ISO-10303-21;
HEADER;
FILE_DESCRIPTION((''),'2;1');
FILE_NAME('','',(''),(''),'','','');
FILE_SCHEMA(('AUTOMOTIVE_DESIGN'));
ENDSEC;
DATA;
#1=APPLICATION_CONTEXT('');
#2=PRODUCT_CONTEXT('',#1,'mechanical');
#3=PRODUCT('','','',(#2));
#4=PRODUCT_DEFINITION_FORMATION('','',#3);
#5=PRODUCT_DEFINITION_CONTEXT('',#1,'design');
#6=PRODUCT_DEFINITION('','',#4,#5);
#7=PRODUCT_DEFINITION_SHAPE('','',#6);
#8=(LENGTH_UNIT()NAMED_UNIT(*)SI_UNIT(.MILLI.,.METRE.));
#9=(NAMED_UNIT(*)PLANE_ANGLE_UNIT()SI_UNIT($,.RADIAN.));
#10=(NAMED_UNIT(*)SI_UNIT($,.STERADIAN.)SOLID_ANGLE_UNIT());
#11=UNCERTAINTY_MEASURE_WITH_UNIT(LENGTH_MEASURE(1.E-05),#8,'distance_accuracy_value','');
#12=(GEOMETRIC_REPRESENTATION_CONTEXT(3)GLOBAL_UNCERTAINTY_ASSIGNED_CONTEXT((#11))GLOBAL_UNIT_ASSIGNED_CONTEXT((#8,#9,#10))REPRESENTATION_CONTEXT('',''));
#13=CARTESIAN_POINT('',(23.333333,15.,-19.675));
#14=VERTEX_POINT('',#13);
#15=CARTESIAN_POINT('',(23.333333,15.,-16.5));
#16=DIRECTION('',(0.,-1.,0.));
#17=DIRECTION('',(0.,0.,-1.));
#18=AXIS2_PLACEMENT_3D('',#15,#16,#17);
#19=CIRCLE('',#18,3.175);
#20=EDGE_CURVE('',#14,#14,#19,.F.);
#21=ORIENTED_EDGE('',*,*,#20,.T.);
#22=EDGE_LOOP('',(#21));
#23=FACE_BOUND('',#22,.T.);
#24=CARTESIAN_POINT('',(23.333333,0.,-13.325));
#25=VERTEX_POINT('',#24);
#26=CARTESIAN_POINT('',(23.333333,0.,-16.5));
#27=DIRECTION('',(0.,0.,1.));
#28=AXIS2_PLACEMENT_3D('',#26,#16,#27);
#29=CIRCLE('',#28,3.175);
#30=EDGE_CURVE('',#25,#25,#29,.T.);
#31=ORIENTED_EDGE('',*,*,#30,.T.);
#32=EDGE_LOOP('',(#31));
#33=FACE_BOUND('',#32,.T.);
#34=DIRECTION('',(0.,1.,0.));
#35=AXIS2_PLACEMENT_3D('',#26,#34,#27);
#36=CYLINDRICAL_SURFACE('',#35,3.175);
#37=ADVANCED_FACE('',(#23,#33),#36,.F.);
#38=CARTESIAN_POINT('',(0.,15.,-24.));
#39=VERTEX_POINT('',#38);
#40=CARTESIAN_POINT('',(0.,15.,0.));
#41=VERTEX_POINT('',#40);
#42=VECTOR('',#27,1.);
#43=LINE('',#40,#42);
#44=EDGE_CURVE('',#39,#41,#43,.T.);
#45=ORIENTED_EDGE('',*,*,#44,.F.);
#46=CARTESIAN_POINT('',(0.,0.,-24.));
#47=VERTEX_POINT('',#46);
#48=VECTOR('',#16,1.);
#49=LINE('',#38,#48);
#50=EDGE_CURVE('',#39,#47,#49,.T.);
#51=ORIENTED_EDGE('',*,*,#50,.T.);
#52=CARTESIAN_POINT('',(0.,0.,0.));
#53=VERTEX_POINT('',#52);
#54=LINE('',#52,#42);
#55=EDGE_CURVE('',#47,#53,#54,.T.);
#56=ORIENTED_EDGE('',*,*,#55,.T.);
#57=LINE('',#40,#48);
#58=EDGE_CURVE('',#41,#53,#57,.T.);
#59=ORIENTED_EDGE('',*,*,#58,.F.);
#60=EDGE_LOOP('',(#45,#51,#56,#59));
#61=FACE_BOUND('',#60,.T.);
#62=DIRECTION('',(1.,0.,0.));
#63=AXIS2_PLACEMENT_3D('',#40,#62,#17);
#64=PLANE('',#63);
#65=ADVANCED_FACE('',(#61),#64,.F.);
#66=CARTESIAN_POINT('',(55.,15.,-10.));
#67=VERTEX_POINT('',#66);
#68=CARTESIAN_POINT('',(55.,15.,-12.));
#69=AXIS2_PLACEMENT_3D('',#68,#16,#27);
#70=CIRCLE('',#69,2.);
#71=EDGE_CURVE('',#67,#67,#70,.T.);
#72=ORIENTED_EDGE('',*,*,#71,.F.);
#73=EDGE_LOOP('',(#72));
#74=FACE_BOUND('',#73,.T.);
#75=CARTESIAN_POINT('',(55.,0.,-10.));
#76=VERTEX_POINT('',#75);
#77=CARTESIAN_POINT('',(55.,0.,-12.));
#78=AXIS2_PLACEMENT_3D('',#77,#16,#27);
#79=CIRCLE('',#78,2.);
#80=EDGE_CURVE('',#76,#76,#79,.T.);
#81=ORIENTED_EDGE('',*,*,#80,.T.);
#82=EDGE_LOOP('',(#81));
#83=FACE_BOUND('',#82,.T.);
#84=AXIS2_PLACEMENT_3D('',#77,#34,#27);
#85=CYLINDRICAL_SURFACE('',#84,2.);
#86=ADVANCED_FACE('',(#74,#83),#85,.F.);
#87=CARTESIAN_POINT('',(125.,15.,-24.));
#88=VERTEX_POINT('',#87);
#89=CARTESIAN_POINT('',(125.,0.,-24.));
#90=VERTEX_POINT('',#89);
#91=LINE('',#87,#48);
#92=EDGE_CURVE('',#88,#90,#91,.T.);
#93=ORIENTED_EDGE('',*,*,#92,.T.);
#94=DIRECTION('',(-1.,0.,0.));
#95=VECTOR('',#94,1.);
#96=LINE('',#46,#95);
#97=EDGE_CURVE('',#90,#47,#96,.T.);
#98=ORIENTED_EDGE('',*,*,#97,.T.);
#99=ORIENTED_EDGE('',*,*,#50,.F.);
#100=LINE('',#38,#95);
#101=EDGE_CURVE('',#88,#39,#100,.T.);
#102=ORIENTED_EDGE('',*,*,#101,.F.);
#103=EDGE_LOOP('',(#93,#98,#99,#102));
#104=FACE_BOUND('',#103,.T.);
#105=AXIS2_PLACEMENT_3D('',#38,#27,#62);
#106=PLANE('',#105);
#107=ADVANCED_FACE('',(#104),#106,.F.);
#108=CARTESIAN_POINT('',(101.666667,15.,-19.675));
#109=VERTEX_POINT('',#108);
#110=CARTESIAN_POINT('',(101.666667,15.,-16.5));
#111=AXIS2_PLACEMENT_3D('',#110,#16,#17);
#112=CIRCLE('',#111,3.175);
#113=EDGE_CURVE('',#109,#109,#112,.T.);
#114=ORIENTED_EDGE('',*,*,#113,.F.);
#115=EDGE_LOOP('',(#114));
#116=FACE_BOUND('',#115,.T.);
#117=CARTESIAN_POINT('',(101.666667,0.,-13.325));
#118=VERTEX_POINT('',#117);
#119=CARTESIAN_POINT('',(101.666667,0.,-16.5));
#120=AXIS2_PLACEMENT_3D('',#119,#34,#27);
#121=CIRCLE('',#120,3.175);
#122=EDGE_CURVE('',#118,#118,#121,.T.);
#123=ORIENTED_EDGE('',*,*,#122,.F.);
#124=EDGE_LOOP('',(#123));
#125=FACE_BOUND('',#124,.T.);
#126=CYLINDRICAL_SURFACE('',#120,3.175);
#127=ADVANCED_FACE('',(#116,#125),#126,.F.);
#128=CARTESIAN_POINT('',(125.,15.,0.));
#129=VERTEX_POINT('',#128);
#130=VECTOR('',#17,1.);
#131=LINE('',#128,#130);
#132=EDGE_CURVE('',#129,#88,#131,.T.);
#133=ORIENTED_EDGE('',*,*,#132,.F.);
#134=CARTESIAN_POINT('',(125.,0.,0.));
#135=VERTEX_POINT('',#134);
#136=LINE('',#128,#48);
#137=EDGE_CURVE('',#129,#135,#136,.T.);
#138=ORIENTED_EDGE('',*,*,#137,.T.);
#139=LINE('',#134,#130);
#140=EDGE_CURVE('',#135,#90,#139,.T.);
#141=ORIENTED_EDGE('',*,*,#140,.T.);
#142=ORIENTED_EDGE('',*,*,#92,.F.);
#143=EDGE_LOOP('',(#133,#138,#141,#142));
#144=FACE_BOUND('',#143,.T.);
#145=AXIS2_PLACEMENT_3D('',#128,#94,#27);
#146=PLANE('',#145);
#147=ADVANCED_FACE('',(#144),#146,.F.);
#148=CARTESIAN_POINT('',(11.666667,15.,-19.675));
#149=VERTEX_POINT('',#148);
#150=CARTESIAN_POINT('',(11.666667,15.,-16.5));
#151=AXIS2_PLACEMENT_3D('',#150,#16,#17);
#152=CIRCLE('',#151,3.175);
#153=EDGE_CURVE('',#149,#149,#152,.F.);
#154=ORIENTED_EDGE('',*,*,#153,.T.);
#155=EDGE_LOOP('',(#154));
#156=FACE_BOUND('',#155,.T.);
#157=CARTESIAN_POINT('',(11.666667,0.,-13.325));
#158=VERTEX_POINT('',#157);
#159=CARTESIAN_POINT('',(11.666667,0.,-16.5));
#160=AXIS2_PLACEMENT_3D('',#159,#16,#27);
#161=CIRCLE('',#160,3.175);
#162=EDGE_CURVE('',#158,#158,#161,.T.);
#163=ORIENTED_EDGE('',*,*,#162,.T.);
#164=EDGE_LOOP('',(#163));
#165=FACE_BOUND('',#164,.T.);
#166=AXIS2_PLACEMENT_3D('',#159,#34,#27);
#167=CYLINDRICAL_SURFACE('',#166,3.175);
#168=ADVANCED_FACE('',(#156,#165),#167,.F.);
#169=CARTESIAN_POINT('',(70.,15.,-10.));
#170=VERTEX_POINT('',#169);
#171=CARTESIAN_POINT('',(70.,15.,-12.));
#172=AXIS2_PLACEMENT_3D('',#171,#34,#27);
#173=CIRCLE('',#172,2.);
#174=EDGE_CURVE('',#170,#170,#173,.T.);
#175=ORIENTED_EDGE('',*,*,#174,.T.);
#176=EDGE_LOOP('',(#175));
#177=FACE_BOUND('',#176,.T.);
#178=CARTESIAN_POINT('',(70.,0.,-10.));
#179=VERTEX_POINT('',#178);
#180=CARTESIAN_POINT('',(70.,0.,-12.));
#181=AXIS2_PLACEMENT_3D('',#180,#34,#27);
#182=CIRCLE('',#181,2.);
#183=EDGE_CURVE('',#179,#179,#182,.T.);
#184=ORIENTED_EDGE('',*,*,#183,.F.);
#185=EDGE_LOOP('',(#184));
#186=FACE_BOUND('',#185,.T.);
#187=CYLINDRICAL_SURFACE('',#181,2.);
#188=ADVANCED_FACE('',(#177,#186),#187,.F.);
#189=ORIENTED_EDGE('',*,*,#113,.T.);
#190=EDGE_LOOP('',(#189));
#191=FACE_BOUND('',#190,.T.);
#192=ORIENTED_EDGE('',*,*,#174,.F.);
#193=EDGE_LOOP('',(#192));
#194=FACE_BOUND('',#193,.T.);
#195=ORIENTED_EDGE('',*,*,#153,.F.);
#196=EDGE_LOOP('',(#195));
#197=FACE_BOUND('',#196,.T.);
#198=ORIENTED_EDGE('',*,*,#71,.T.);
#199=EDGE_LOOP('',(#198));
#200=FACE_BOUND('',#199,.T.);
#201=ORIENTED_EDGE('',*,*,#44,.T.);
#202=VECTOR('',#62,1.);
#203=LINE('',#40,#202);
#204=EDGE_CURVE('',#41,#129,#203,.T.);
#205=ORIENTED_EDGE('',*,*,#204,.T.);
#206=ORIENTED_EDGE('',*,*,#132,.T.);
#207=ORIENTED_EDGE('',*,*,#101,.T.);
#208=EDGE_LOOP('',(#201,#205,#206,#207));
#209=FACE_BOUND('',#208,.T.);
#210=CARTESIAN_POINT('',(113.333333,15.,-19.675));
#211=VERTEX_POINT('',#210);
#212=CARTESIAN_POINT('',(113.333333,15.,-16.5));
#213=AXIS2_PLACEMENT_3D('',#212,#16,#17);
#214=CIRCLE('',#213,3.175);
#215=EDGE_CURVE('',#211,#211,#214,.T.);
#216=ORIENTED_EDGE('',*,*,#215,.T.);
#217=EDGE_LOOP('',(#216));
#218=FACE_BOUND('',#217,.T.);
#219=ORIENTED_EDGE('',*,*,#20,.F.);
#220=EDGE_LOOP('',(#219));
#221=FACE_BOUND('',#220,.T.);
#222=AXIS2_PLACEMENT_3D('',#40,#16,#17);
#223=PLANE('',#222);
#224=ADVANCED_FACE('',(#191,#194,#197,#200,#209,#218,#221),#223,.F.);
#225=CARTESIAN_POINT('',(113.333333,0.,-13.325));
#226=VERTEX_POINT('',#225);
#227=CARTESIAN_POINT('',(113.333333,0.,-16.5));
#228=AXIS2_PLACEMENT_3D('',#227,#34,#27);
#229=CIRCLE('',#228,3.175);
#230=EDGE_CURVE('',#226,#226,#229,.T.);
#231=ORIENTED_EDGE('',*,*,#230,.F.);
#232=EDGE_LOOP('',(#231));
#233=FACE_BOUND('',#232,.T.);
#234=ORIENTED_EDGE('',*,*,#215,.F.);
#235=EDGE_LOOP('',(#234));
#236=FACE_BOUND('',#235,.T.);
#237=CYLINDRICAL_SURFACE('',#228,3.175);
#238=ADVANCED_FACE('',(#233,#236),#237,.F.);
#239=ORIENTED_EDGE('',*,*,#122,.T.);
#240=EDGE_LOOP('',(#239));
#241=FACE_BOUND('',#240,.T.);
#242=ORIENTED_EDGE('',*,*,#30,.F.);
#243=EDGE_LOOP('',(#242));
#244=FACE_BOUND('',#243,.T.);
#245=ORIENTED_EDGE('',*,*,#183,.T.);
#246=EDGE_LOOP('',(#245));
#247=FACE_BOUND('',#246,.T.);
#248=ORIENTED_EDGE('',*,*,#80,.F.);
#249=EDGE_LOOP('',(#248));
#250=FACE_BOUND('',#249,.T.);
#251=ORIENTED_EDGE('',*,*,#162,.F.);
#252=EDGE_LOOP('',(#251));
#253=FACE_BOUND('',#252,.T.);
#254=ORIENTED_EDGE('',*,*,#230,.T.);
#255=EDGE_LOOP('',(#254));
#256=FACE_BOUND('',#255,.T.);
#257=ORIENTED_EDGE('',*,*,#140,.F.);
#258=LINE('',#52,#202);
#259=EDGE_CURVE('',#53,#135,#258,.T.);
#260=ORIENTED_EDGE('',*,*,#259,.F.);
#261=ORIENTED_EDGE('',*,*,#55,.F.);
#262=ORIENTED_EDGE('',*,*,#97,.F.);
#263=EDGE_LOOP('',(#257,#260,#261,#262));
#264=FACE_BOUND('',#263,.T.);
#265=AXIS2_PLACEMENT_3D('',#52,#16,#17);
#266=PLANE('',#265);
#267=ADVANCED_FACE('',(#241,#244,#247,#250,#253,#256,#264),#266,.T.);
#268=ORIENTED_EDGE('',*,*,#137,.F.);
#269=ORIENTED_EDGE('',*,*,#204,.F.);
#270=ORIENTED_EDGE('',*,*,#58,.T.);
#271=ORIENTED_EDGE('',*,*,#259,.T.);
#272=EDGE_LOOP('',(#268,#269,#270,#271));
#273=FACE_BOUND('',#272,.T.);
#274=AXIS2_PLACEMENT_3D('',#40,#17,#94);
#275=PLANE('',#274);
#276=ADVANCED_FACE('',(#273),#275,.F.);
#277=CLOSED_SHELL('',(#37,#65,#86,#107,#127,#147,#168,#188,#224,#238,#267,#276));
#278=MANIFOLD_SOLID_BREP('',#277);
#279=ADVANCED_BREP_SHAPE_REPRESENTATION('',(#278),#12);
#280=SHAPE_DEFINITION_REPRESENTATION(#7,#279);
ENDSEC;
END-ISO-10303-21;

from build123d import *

# Parameters (mm, degrees)
SKETCH1_W           = 125
SKETCH1_H           = 24
BOSS_EXTRUDE1_DEPTH = 15
SKETCH2_R           = 3.175
CUT_EXTRUDE1_DEPTH  = 129.163957492
SKETCH5_R           = 2
CUT_EXTRUDE2_DEPTH  = 129.163957492


with BuildPart() as part:
    # Sketch1 → Boss-Extrude1 (new body)
    with BuildSketch(Plane(origin=(0, 0, 0), x_dir=(1, 0, 0), z_dir=(0, 1, 0))):
        with Locations((62.5, 12)):
            Rectangle(SKETCH1_W, SKETCH1_H)
    extrude(amount=BOSS_EXTRUDE1_DEPTH)

    # Sketch2 → Cut-Extrude1 (cut, symmetric)
    with BuildSketch(Plane(origin=(0, 15, 0), x_dir=(1, 0, 0), z_dir=(0, 1, 0))):
        with Locations(Location((113.333333333, 16.5, 0), (0, 0, 270))):
            Circle(SKETCH2_R)
        with Locations(Location((101.666666667, 16.5, 0), (0, 0, 270))):
            Circle(SKETCH2_R)
    cut_extrude1 = extrude(amount=CUT_EXTRUDE1_DEPTH, both=True, mode=Mode.SUBTRACT)

    # Mirror1: Cut-Extrude1 across plane
    add(cut_extrude1.mirror(Plane.ZY.offset(-62.5)), mode=Mode.SUBTRACT)

    # Sketch5 → Cut-Extrude2 (cut, through all)
    with BuildSketch(Plane(origin=(0, 15, 0), x_dir=(1, 0, 0), z_dir=(0, 1, 0))):
        with Locations(Location((70, 12, 0), (0, 0, 270))):
            Circle(SKETCH5_R)
    cut_extrude2 = extrude(amount=-CUT_EXTRUDE2_DEPTH, mode=Mode.SUBTRACT)

    # Mirror2: Cut-Extrude2 across plane
    add(cut_extrude2.mirror(Plane.ZY.offset(-62.5)), mode=Mode.SUBTRACT)


solid = part.part
